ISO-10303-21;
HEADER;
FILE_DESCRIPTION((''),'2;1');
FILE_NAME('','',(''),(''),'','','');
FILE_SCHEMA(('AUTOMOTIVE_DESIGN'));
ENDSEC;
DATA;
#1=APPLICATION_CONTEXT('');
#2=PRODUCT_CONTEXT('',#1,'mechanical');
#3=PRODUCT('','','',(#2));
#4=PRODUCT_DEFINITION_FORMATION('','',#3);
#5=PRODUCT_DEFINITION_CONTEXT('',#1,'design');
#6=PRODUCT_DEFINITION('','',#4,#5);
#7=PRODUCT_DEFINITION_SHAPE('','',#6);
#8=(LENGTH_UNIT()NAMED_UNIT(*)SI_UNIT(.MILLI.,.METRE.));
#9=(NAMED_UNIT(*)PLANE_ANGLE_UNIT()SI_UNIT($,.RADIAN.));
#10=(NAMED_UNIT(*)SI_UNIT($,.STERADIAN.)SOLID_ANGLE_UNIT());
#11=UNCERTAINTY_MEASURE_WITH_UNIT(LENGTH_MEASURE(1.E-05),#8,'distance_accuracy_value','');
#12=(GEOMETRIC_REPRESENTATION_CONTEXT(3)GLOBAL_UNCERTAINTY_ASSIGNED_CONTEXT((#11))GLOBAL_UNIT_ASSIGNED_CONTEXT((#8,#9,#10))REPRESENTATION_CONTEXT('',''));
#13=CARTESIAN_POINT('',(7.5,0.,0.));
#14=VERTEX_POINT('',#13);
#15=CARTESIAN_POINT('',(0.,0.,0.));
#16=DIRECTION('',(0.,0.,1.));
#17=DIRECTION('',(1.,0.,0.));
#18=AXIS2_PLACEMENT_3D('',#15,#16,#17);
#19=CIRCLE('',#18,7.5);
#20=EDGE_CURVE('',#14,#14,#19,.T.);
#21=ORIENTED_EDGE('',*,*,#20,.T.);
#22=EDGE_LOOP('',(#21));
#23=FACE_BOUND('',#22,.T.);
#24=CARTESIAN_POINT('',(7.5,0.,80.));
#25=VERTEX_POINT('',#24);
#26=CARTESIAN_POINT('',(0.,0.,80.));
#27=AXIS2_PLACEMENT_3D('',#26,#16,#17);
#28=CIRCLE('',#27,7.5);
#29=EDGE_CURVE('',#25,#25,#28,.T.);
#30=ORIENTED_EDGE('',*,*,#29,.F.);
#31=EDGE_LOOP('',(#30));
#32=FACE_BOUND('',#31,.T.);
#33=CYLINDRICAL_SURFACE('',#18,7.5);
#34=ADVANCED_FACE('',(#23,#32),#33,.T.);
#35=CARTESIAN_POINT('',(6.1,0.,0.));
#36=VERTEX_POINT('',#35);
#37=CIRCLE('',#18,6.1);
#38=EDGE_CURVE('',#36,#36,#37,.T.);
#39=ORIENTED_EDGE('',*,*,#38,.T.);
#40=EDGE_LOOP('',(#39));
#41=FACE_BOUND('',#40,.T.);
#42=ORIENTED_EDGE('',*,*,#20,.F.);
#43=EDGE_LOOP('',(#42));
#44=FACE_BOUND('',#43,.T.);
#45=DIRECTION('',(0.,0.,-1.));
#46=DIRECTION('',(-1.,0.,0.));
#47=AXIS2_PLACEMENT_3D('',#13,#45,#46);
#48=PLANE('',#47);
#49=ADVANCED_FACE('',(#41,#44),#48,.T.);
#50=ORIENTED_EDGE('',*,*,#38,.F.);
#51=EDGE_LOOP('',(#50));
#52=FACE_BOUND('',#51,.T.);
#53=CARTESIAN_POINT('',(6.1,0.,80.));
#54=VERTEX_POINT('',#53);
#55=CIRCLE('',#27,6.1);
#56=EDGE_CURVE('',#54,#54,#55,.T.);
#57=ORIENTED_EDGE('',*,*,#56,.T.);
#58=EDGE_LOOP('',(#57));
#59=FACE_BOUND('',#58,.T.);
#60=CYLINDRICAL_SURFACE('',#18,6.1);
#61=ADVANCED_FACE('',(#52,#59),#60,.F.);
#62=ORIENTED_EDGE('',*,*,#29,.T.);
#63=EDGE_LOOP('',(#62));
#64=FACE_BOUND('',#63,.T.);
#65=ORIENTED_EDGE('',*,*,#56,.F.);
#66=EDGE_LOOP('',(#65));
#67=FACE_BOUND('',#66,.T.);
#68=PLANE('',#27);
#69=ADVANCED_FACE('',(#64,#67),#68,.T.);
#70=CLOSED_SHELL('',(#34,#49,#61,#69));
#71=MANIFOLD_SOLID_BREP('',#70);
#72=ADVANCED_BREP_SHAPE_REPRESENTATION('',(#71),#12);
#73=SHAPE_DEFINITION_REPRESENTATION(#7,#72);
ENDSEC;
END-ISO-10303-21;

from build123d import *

# Parameters (mm, degrees)
SKETCH_1_W          = 1.4
SKETCH_1_H          = 200
CUT_EXTRUDE_START   = -120
SKETCH_2_R          = 7.5
CUT_EXTRUDE_1_DEPTH = 120


with BuildPart() as part:
    # 스케치1 → 회전1 (revolve)
    with BuildSketch(Plane(origin=(0, 0, 0), x_dir=(1, 0, 0), z_dir=(0, 1, 0))):
        with Locations((6.8, -100)):
            Rectangle(SKETCH_1_W, SKETCH_1_H)
    revolve(axis=Axis((0, 0, 0), (0, 0, 1)))

    # 스케치2 → 컷-돌출1 (cut)
    with BuildSketch(Plane.XY.offset(200).offset(CUT_EXTRUDE_START)):
        Circle(SKETCH_2_R)
    extrude(amount=CUT_EXTRUDE_1_DEPTH, mode=Mode.SUBTRACT)


solid = part.part
